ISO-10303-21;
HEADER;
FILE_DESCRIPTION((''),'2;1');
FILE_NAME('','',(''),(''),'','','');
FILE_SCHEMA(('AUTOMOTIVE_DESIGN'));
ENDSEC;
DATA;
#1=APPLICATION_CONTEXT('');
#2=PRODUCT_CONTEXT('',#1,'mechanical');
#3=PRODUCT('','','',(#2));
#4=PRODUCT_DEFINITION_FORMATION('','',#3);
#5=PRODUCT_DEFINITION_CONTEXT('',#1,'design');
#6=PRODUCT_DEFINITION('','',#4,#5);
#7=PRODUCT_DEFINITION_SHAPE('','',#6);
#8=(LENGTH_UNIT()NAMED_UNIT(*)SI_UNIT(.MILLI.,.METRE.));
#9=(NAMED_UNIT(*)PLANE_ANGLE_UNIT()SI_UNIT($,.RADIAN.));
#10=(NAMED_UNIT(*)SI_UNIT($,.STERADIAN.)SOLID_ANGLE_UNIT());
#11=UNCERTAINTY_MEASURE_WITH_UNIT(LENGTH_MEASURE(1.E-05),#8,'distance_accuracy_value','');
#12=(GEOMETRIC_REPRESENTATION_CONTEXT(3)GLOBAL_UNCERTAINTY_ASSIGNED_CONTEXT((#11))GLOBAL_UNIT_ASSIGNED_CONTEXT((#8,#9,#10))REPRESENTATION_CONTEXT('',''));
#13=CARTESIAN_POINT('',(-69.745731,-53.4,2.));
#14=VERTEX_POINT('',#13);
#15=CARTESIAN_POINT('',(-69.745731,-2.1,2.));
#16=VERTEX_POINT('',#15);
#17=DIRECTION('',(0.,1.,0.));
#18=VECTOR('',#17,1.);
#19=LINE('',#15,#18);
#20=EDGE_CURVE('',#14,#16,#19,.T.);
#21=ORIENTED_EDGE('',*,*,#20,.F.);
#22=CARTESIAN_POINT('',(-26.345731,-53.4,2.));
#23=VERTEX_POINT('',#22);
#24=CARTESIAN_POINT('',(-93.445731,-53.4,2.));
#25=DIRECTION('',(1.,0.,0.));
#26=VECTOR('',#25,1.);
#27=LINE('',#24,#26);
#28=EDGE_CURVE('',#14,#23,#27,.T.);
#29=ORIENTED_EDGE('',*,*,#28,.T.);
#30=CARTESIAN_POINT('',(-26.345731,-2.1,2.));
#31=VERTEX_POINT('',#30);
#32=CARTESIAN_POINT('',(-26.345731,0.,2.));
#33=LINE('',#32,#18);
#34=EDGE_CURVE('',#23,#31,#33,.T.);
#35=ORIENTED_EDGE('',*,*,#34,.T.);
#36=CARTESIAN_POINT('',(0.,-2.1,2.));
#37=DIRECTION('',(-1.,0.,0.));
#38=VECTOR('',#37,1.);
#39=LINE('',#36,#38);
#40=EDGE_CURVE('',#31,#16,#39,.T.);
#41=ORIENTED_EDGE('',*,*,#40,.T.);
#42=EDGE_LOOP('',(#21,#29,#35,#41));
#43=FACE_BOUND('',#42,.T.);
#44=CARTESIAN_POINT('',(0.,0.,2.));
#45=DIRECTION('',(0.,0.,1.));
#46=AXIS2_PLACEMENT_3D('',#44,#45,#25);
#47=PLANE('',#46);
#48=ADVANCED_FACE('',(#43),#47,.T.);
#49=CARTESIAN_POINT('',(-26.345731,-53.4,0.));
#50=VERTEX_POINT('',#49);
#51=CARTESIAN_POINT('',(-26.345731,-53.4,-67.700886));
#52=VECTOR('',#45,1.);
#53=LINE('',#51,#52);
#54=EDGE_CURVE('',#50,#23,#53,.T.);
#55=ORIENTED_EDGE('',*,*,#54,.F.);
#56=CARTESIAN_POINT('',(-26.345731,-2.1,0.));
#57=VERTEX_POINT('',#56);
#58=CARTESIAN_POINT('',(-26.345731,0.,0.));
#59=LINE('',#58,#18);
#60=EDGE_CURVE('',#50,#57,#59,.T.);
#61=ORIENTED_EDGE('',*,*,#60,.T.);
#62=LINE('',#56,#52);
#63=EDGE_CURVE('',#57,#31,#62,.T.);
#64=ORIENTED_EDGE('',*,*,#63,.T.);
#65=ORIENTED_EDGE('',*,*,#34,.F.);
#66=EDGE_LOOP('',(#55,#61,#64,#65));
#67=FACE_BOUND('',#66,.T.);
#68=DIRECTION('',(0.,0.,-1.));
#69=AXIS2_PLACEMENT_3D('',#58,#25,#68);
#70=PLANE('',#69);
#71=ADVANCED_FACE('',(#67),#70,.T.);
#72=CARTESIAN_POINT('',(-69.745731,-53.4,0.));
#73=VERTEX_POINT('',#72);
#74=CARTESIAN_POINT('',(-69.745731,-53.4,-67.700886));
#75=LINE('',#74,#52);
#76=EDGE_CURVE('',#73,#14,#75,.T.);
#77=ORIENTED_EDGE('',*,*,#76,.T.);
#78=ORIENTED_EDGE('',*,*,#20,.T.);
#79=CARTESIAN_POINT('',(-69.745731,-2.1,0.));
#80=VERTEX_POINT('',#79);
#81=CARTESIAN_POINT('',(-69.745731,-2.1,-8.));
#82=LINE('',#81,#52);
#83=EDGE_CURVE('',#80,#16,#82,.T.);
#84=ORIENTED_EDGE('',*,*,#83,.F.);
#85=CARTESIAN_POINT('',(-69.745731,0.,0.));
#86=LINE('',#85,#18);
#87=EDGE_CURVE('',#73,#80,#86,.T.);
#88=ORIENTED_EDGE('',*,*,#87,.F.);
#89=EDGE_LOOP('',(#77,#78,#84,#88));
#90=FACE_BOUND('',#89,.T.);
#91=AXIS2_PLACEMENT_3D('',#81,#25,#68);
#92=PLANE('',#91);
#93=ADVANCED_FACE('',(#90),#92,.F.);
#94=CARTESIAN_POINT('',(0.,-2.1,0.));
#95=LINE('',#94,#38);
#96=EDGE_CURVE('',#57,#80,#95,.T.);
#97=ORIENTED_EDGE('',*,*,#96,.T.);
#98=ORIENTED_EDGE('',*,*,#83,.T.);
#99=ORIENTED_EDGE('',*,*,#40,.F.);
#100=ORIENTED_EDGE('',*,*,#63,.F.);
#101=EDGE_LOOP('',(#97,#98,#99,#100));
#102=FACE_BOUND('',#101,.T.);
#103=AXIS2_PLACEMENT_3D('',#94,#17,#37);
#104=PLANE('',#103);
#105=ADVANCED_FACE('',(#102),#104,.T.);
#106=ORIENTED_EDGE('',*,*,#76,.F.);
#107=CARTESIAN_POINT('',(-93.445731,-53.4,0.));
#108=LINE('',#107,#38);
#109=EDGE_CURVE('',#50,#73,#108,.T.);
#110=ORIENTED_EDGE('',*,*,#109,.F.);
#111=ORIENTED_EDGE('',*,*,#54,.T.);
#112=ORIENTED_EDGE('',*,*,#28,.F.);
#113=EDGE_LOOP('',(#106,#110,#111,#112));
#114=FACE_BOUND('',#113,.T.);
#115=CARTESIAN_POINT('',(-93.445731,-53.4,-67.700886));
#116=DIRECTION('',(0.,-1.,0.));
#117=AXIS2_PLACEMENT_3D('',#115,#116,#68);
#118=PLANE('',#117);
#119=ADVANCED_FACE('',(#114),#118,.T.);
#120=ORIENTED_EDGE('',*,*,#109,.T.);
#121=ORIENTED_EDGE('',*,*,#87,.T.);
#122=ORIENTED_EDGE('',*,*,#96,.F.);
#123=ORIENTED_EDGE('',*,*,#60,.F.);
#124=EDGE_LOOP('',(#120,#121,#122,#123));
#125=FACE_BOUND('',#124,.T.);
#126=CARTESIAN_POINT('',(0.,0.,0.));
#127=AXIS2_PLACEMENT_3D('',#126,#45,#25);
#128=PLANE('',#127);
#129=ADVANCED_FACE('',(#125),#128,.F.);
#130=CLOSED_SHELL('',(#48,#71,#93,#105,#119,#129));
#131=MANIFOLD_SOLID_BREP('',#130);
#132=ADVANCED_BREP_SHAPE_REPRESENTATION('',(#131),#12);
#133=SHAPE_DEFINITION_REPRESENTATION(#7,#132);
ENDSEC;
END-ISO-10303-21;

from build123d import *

# Parameters (mm, degrees)
BOSS_EXTRUDE1_DEPTH = 2
CUT_EXTRUDE1_DEPTH  = 104.743351649
SKETCH4_W           = 67.1
SKETCH4_H           = 9
BOSS_EXTRUDE2_DEPTH = 2
SKETCH5_W           = 23.5
SKETCH5_H           = 51.3
CUT_EXTRUDE2_DEPTH  = 10
SKETCH6_W           = 0.2
SKETCH6_H           = 51.3
CUT_EXTRUDE3_DEPTH  = 10


with BuildPart() as part:
    # Sketch2 → Boss-Extrude1 (new body)
    with BuildSketch(Plane.XY):
        Polygon((-88.945731411, -6.4), (-88.945731411, -1.9), (-93.645731411, -1.9), (-93.645731411, -44.6), (-26.145731411, -44.6), (-26.145731411, -1.9), (-70.145731411, -1.9), (-70.145731411, -6.4), align=None)
    extrude(amount=BOSS_EXTRUDE1_DEPTH)

    # Sketch3 → Cut-Extrude1 (cut, through all)
    with BuildSketch(Plane.XY.offset(2)):
        Polygon((-88.945731411, -1.9), (-93.645731411, -1.9), (-93.645731411, -44.6), (-26.145731411, -44.6), (-26.145731411, -1.9), (-70.145731411, -1.9), (-70.145731411, -6.4), (-88.945731411, -6.4), align=None)
        Polygon((-89.145731411, -2.1), (-93.445731411, -2.1), (-93.445731411, -44.4), (-26.345731411, -44.4), (-26.345731411, -2.1), (-69.945731411, -2.1), (-69.945731411, -6.6), (-89.145731411, -6.6), align=None, mode=Mode.SUBTRACT)
    extrude(amount=-CUT_EXTRUDE1_DEPTH, mode=Mode.SUBTRACT)

    # Sketch4 → Boss-Extrude2 (add)
    with BuildSketch(Plane.XY.offset(2)):
        with Locations((-59.895731411, -48.9)):
            Rectangle(SKETCH4_W, SKETCH4_H)
    extrude(amount=-BOSS_EXTRUDE2_DEPTH)

    # Sketch5 → Cut-Extrude2 (cut)
    with BuildSketch(Plane.XY.offset(2)):
        with Locations((-81.695731411, -27.75)):
            Rectangle(SKETCH5_W, SKETCH5_H)
    extrude(amount=-CUT_EXTRUDE2_DEPTH, mode=Mode.SUBTRACT)

    # Sketch6 → Cut-Extrude3 (cut)
    with BuildSketch(Plane.XY.offset(2)):
        with Locations((-69.845731411, -27.75)):
            Rectangle(SKETCH6_W, SKETCH6_H)
    extrude(amount=-CUT_EXTRUDE3_DEPTH, mode=Mode.SUBTRACT)


solid = part.part
